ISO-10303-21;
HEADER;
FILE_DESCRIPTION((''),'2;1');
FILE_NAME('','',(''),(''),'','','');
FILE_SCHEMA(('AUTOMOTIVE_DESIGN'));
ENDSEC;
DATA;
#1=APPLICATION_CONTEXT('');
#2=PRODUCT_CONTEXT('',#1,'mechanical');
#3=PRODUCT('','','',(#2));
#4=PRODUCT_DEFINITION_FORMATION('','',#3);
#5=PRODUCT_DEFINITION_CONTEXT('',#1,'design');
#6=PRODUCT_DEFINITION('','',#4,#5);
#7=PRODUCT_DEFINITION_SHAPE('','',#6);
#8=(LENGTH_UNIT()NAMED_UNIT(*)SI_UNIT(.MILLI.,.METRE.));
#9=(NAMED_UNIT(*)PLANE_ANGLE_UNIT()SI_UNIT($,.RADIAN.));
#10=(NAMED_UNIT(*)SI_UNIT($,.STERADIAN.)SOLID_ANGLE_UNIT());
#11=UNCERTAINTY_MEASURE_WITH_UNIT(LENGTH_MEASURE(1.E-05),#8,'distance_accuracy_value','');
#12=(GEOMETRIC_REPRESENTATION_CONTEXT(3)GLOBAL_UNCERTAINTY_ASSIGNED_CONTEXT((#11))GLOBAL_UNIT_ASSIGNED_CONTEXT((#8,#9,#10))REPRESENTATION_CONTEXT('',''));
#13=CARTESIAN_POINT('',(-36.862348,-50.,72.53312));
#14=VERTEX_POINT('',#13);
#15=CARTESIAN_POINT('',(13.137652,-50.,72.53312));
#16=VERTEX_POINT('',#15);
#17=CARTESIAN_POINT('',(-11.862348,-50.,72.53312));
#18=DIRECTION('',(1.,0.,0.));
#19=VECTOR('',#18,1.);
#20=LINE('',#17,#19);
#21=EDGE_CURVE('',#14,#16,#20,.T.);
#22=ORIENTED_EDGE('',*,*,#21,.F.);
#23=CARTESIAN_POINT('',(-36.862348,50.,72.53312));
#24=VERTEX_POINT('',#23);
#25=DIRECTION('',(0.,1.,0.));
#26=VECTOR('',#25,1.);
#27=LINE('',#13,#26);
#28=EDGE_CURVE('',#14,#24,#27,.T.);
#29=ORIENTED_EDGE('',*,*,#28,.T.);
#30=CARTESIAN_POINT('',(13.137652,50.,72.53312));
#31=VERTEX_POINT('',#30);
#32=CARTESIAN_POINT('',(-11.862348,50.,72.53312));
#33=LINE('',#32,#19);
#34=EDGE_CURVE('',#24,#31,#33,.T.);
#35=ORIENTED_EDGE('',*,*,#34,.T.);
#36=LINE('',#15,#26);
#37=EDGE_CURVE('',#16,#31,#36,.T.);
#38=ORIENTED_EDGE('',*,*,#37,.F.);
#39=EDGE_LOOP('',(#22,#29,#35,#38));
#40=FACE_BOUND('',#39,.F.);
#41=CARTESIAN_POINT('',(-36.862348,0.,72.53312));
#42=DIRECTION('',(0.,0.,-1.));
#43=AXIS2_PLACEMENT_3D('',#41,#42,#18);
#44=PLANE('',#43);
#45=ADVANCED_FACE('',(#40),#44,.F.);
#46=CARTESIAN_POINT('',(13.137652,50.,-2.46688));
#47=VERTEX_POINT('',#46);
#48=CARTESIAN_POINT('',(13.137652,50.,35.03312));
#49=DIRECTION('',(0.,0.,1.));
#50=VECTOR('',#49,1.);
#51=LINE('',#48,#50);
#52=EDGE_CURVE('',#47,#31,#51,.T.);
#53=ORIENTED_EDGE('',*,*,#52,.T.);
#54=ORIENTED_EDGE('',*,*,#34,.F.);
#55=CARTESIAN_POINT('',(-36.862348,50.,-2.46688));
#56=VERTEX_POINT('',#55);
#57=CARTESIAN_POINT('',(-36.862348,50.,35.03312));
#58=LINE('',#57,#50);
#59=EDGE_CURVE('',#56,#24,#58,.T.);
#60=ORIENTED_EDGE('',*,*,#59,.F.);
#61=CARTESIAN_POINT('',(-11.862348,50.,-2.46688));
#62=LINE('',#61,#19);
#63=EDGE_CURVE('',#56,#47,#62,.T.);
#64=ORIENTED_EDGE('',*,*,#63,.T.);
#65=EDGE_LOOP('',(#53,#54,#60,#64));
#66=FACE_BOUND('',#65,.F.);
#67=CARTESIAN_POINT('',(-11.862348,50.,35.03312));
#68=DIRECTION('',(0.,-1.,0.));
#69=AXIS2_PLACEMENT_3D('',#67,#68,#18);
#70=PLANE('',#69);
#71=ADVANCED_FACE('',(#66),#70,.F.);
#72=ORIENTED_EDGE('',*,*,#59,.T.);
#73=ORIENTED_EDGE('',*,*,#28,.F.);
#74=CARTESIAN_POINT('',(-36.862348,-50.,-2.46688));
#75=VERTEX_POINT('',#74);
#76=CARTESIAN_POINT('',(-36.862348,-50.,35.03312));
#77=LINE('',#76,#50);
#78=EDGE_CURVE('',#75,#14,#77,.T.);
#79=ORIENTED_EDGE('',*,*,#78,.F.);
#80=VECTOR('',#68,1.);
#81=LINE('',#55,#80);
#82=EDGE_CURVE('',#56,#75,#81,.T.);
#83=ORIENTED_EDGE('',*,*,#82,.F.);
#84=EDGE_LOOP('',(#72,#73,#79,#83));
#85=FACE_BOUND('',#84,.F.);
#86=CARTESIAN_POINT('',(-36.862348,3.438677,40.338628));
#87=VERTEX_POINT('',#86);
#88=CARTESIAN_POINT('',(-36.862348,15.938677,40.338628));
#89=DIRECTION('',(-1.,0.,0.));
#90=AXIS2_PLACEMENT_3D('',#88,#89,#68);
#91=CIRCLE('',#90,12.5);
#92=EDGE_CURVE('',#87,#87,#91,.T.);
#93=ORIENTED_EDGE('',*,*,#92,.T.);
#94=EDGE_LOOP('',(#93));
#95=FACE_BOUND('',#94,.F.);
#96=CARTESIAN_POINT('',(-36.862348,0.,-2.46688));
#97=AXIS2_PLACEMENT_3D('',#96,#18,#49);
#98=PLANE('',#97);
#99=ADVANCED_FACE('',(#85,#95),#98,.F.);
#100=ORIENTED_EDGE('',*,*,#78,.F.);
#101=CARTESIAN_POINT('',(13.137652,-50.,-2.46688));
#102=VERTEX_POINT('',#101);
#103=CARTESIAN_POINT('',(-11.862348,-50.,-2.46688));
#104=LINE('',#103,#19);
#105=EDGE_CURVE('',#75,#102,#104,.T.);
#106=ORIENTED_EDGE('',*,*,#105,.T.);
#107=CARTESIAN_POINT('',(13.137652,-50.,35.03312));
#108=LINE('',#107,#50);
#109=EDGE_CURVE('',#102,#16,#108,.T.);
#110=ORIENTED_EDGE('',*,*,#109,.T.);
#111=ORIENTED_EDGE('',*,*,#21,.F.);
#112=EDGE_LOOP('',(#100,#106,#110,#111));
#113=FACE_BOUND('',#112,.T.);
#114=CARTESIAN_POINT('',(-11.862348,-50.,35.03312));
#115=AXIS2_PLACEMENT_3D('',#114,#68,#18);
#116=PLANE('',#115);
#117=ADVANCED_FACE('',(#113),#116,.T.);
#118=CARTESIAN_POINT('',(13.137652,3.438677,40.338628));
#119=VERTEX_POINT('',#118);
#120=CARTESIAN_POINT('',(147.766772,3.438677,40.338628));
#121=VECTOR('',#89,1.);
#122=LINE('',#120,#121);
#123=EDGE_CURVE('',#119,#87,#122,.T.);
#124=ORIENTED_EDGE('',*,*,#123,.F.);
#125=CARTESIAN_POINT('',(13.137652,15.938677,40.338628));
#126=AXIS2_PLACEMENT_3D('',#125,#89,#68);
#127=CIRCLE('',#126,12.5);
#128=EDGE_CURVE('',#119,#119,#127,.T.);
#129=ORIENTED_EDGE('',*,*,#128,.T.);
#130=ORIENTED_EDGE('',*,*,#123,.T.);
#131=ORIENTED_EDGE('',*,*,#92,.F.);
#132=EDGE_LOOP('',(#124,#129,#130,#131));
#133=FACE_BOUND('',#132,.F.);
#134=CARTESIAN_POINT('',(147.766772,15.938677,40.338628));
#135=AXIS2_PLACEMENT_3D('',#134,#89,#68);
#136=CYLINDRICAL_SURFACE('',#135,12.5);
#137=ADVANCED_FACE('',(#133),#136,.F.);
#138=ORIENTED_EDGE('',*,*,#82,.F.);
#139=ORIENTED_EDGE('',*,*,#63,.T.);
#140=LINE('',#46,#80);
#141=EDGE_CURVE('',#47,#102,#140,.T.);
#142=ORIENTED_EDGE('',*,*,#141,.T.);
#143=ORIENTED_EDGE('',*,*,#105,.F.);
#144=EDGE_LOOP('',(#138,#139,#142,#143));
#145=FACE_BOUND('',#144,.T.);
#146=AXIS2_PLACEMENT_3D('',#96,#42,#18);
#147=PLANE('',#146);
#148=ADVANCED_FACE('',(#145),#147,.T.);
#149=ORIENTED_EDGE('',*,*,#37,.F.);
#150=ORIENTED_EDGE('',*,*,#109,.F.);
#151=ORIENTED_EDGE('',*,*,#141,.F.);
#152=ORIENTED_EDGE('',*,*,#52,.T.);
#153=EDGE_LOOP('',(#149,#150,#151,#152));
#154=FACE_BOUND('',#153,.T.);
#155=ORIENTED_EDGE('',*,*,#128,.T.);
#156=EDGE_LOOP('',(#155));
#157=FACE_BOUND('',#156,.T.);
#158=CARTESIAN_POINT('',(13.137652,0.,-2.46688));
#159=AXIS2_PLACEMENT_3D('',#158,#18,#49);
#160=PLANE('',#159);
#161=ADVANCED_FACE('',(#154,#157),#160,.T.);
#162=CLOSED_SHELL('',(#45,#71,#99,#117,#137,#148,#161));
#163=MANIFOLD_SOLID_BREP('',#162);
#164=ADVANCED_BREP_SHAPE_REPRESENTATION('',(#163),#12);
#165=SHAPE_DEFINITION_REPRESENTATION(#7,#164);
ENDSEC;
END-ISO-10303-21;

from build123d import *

# Parameters (mm, degrees)
F0_W     = 50
F0_H     = 75
F1_DEPTH = 50
F3_D     = 25


with BuildPart() as f1:
    # F0 (on Front) → F1 (new body, symmetric)
    with BuildSketch(Plane.XZ):
        with Locations((-11.862348, 35.03312)):
            Rectangle(F0_W, F0_H)
    extrude(amount=F1_DEPTH, both=True)

    # F3 (through all)
    with Locations(Plane.YZ.offset(13.137652)):
        with Locations((15.938677, 40.338628)):
            Hole(F3_D / 2)


solid = f1.part
